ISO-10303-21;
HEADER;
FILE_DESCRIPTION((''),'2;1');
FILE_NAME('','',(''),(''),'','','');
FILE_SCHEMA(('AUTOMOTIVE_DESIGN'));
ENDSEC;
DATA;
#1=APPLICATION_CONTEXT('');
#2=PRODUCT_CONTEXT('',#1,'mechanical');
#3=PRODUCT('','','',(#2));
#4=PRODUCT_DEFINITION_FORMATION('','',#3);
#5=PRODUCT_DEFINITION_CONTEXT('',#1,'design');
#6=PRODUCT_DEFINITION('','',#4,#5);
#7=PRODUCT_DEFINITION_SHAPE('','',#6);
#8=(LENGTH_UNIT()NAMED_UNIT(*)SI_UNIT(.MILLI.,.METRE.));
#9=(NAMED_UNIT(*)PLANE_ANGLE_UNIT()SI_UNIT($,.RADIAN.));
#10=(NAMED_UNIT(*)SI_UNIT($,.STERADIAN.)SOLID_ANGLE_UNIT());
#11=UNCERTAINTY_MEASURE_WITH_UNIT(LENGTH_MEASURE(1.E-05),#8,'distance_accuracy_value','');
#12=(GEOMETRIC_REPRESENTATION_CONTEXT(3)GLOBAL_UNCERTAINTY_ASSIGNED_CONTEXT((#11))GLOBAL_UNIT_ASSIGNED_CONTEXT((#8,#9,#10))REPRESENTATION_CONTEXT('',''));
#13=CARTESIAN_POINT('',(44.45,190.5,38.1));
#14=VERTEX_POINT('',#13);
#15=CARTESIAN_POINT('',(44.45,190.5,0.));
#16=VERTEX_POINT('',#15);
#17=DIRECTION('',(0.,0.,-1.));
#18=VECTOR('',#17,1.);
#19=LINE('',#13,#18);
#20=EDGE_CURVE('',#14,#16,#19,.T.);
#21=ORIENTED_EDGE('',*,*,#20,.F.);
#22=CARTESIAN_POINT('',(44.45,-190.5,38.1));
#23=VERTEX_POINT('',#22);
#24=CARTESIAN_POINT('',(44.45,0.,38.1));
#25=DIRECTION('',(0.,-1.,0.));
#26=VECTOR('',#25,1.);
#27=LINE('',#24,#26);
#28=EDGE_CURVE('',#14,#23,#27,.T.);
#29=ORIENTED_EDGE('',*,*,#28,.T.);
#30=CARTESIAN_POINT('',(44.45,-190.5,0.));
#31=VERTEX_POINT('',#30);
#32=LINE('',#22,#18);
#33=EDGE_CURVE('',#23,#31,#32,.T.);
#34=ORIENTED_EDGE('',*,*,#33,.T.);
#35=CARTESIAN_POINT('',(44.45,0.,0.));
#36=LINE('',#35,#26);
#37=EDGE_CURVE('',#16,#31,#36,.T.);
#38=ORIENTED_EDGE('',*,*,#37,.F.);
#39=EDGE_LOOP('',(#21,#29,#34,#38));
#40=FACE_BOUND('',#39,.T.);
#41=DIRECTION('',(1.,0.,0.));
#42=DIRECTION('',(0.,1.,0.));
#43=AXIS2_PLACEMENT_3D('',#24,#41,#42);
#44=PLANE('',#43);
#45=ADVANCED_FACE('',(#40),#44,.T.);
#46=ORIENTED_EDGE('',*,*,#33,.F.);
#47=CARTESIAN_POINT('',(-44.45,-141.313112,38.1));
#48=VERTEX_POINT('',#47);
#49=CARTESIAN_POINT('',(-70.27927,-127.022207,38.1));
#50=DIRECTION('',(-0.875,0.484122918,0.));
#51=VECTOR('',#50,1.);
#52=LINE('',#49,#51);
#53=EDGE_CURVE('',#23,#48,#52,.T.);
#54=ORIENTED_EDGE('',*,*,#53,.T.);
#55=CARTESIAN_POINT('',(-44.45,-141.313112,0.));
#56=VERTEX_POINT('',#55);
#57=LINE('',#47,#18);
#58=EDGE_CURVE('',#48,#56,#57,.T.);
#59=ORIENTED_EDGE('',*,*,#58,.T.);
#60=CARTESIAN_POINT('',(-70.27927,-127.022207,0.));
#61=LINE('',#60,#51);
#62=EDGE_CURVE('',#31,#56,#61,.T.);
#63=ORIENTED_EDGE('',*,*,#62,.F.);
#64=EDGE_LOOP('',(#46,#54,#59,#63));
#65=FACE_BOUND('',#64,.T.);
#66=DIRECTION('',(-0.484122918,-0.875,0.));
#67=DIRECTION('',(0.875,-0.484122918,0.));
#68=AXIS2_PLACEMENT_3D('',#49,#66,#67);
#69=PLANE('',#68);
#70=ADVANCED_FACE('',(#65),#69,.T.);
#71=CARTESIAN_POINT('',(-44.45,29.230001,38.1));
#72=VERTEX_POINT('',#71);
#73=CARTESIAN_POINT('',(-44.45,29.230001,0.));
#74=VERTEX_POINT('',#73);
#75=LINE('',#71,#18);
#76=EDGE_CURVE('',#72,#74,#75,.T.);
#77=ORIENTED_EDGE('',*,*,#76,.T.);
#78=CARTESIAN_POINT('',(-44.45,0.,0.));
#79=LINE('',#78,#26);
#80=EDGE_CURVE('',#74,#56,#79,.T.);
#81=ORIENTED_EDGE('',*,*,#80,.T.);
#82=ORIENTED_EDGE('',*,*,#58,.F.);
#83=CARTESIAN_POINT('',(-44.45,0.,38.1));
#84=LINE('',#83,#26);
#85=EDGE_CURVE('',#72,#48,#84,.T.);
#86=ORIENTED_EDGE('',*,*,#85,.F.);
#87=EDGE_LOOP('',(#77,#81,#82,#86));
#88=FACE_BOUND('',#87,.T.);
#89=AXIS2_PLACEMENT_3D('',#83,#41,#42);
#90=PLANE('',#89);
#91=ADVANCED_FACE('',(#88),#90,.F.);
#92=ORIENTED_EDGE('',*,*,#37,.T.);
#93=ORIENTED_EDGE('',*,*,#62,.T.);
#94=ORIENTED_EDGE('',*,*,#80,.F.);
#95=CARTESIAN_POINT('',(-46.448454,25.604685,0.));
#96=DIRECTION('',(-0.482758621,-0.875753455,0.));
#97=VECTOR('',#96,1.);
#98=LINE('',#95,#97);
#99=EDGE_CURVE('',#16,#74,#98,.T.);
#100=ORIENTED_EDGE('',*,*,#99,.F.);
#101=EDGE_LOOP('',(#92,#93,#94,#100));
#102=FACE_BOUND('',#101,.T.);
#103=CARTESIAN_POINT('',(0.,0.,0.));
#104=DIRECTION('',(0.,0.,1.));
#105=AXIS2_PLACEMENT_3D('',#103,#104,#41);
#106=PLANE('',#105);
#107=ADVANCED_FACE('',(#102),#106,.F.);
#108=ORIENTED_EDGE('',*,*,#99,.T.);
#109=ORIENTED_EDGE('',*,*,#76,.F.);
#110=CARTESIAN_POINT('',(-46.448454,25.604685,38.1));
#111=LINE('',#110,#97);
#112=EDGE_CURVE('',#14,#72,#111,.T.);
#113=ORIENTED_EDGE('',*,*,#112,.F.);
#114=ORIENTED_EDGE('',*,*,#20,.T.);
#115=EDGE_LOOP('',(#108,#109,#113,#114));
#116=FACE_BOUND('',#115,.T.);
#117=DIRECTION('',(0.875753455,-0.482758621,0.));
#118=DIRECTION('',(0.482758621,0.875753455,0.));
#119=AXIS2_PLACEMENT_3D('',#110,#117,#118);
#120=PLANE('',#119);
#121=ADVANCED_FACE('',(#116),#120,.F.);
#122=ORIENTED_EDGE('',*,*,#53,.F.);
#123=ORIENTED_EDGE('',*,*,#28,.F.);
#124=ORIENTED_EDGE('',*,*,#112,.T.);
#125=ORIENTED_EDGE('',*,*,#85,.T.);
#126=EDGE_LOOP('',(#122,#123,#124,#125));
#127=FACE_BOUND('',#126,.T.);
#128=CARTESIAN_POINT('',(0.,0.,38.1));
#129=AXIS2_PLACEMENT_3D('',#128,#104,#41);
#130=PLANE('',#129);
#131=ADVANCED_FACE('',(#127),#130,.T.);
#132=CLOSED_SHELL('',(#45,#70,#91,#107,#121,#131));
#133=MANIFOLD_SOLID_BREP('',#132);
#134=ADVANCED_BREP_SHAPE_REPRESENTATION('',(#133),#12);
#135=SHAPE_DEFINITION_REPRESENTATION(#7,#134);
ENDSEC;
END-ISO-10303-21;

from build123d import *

# Parameters (mm, degrees)
BOSS_EXTRUDE1_DEPTH = 38.1


with BuildPart() as part:
    # Sketch1 → Boss-Extrude1 (new body)
    with BuildSketch(Plane.XY):
        Polygon((44.45, -190.5), (44.45, 190.5), (-44.45, 29.23000124), (-44.45, -141.313111503), align=None)
    extrude(amount=BOSS_EXTRUDE1_DEPTH)


solid = part.part
